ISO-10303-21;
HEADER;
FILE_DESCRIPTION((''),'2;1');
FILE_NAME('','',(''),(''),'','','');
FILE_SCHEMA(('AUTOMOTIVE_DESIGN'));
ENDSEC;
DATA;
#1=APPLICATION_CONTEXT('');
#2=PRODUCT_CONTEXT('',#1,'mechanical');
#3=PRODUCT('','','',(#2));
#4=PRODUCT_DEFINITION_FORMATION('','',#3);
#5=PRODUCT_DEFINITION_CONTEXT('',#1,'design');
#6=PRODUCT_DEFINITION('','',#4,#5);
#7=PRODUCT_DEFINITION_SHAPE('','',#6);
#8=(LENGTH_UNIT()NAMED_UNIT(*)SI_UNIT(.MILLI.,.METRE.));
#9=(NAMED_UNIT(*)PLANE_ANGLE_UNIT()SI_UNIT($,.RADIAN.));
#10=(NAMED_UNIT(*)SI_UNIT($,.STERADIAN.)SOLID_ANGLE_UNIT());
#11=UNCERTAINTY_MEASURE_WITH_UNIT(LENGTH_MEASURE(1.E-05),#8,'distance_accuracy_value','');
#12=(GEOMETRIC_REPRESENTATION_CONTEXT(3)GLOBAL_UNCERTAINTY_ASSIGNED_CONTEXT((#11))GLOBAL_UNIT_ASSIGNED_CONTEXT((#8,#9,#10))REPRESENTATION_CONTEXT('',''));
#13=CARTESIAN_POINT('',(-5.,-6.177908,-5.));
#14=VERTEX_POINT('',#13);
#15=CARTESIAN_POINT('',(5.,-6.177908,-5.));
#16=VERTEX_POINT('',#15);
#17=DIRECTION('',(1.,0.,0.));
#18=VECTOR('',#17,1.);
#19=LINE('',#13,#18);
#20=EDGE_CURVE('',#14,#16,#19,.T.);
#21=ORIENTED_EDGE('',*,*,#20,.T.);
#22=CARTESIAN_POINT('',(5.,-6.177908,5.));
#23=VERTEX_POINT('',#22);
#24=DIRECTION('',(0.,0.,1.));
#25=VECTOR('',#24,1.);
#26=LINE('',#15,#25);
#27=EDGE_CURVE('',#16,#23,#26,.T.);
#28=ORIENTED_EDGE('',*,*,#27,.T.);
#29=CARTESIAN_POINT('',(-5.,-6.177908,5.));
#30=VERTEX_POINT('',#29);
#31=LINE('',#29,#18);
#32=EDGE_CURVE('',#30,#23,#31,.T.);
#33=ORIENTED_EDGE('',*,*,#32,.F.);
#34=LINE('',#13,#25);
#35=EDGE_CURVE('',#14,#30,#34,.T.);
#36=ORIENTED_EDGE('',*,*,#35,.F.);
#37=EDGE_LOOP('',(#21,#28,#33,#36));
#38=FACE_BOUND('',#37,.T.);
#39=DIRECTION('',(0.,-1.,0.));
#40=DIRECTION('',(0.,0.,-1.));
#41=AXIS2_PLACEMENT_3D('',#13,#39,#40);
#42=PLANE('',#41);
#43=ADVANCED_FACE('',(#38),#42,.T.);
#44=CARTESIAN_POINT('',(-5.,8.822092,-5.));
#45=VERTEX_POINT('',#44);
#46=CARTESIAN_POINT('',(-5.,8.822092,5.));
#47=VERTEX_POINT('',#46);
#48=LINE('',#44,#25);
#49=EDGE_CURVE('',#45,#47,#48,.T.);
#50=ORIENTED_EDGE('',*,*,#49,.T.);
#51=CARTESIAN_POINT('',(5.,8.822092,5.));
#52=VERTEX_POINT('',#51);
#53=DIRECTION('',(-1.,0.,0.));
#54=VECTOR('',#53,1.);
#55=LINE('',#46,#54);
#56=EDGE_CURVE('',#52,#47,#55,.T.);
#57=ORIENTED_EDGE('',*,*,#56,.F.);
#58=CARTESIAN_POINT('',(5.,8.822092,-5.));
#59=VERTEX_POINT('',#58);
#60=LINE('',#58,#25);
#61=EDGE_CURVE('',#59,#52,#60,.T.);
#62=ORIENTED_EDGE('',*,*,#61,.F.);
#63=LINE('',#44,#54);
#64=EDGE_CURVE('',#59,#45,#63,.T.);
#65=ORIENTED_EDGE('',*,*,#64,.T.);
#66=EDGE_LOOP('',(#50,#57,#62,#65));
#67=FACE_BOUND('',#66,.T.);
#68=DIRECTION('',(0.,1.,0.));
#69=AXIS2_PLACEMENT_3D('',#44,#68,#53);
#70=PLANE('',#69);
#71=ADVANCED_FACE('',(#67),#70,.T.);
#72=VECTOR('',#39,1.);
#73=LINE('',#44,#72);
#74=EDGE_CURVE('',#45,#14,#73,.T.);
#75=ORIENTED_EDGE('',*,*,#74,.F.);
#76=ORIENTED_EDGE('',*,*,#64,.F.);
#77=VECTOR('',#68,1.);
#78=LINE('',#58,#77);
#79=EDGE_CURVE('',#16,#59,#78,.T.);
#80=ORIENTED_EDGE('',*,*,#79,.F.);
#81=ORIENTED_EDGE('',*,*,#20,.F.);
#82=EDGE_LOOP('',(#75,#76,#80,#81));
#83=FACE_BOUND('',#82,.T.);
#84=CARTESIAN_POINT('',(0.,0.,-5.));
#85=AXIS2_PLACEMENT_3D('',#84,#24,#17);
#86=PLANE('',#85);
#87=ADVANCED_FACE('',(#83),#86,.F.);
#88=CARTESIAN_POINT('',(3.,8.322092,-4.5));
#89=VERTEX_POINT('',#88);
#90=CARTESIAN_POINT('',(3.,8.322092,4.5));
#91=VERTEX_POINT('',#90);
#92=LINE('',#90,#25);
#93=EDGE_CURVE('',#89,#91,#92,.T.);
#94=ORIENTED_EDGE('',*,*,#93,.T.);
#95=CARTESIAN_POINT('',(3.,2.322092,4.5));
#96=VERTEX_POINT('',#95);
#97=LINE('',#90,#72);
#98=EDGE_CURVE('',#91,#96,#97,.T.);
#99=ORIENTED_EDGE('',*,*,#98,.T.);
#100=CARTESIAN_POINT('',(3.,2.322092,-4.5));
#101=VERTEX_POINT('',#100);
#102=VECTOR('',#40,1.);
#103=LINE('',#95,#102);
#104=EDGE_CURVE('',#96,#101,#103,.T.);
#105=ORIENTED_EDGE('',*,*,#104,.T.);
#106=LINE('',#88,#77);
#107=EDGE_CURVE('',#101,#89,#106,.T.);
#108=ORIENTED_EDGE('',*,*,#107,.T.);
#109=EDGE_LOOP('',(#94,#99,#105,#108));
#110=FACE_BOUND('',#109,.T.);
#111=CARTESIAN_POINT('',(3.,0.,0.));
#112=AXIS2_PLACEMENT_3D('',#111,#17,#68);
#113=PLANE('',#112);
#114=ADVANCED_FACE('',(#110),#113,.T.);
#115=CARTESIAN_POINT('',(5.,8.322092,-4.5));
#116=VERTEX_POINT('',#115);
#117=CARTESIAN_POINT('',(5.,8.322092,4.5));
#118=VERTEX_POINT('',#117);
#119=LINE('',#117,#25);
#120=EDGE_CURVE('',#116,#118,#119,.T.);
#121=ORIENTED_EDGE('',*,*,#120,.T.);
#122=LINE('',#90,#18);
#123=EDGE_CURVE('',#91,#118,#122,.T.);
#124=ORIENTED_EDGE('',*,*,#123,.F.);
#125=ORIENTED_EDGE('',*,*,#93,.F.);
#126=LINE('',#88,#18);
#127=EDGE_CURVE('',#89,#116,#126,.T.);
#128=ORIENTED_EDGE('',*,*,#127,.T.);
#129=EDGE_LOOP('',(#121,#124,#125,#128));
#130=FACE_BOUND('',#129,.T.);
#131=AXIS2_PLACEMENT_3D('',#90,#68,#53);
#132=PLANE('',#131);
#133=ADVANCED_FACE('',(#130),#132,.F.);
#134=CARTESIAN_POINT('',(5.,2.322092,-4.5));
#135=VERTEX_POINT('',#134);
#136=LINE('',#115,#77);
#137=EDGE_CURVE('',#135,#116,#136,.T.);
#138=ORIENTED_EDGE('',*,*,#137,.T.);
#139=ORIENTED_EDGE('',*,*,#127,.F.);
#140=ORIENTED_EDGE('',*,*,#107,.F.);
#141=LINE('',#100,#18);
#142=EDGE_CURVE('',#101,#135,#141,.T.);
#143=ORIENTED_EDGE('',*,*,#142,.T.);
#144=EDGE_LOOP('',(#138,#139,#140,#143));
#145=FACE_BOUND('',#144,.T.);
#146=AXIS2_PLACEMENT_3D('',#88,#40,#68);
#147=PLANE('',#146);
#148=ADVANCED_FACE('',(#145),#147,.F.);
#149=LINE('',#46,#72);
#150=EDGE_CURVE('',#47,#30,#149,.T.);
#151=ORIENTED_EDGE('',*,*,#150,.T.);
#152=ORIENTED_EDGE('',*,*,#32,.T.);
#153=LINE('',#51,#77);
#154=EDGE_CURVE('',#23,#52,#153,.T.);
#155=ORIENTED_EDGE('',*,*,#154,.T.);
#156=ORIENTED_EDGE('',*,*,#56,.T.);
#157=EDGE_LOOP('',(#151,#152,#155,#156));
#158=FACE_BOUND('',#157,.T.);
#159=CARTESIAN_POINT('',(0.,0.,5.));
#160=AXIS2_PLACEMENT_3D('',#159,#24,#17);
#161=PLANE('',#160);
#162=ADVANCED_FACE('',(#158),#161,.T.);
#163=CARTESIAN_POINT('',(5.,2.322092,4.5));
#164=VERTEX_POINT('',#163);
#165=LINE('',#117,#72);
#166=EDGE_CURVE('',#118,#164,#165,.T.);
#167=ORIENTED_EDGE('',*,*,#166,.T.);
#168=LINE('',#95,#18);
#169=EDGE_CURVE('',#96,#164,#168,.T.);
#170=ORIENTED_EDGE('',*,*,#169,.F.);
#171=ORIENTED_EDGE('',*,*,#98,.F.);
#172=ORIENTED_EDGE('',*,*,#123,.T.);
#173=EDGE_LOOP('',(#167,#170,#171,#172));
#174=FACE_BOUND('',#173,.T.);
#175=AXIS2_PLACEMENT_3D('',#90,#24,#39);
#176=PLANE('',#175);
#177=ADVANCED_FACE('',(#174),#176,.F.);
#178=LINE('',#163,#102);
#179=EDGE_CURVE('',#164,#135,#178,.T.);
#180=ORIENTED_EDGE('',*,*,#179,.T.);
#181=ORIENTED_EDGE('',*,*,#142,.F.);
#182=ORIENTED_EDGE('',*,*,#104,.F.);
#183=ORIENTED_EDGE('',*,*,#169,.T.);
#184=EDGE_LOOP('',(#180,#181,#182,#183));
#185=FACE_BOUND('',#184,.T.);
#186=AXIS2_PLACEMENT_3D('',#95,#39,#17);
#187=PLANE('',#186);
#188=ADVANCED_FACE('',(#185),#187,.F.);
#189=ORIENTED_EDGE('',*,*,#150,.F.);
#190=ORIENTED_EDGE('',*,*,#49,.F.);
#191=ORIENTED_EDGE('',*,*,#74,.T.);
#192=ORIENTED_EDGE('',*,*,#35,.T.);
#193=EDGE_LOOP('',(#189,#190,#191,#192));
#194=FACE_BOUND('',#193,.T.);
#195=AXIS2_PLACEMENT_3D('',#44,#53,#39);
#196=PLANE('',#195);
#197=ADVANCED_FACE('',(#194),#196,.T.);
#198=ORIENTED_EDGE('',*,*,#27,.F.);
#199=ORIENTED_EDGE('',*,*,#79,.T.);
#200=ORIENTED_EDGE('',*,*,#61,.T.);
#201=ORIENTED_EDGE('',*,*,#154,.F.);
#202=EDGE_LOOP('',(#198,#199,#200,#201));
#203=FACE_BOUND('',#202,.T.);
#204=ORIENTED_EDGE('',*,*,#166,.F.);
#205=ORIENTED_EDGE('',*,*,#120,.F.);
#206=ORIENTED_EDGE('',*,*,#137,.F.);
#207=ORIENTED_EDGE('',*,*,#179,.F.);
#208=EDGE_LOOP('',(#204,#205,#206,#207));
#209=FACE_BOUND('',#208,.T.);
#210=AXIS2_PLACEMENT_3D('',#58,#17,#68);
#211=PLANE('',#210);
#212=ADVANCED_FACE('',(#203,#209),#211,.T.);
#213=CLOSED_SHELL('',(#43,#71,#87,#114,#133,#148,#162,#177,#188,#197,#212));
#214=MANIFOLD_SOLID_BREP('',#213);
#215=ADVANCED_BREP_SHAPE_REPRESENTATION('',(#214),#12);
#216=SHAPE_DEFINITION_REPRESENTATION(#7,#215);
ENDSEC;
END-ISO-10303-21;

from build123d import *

# Parameters (mm, degrees)
BOSS_EXTRUDE1_DEPTH      = 5
BOSS_EXTRUDE1_DEPTH_BACK = 5
SKETCH1_W                = 10
SKETCH1_H                = 15
SKETCH3_W                = 9
SKETCH3_H                = 6
CUT_EXTRUDE2_DEPTH       = 2


with BuildPart() as part:
    # Sketch1 → Boss-Extrude1 (new, two sides: drawn at the far end of the back side and taken through both)
    with BuildSketch(Plane.XY.offset(-BOSS_EXTRUDE1_DEPTH_BACK)):
        with Locations((0, 1.32209169)):
            Rectangle(SKETCH1_W, SKETCH1_H)
    extrude(amount=BOSS_EXTRUDE1_DEPTH + BOSS_EXTRUDE1_DEPTH_BACK)

    # Sketch3 → Cut-Extrude2 (cut)
    with BuildSketch(Plane(origin=(5, 0, 0), x_dir=(0, 0, -1), z_dir=(1, 0, 0))):
        with Locations((0, 5.32209169)):
            Rectangle(SKETCH3_W, SKETCH3_H)
    extrude(amount=-CUT_EXTRUDE2_DEPTH, mode=Mode.SUBTRACT)


solid = part.part
